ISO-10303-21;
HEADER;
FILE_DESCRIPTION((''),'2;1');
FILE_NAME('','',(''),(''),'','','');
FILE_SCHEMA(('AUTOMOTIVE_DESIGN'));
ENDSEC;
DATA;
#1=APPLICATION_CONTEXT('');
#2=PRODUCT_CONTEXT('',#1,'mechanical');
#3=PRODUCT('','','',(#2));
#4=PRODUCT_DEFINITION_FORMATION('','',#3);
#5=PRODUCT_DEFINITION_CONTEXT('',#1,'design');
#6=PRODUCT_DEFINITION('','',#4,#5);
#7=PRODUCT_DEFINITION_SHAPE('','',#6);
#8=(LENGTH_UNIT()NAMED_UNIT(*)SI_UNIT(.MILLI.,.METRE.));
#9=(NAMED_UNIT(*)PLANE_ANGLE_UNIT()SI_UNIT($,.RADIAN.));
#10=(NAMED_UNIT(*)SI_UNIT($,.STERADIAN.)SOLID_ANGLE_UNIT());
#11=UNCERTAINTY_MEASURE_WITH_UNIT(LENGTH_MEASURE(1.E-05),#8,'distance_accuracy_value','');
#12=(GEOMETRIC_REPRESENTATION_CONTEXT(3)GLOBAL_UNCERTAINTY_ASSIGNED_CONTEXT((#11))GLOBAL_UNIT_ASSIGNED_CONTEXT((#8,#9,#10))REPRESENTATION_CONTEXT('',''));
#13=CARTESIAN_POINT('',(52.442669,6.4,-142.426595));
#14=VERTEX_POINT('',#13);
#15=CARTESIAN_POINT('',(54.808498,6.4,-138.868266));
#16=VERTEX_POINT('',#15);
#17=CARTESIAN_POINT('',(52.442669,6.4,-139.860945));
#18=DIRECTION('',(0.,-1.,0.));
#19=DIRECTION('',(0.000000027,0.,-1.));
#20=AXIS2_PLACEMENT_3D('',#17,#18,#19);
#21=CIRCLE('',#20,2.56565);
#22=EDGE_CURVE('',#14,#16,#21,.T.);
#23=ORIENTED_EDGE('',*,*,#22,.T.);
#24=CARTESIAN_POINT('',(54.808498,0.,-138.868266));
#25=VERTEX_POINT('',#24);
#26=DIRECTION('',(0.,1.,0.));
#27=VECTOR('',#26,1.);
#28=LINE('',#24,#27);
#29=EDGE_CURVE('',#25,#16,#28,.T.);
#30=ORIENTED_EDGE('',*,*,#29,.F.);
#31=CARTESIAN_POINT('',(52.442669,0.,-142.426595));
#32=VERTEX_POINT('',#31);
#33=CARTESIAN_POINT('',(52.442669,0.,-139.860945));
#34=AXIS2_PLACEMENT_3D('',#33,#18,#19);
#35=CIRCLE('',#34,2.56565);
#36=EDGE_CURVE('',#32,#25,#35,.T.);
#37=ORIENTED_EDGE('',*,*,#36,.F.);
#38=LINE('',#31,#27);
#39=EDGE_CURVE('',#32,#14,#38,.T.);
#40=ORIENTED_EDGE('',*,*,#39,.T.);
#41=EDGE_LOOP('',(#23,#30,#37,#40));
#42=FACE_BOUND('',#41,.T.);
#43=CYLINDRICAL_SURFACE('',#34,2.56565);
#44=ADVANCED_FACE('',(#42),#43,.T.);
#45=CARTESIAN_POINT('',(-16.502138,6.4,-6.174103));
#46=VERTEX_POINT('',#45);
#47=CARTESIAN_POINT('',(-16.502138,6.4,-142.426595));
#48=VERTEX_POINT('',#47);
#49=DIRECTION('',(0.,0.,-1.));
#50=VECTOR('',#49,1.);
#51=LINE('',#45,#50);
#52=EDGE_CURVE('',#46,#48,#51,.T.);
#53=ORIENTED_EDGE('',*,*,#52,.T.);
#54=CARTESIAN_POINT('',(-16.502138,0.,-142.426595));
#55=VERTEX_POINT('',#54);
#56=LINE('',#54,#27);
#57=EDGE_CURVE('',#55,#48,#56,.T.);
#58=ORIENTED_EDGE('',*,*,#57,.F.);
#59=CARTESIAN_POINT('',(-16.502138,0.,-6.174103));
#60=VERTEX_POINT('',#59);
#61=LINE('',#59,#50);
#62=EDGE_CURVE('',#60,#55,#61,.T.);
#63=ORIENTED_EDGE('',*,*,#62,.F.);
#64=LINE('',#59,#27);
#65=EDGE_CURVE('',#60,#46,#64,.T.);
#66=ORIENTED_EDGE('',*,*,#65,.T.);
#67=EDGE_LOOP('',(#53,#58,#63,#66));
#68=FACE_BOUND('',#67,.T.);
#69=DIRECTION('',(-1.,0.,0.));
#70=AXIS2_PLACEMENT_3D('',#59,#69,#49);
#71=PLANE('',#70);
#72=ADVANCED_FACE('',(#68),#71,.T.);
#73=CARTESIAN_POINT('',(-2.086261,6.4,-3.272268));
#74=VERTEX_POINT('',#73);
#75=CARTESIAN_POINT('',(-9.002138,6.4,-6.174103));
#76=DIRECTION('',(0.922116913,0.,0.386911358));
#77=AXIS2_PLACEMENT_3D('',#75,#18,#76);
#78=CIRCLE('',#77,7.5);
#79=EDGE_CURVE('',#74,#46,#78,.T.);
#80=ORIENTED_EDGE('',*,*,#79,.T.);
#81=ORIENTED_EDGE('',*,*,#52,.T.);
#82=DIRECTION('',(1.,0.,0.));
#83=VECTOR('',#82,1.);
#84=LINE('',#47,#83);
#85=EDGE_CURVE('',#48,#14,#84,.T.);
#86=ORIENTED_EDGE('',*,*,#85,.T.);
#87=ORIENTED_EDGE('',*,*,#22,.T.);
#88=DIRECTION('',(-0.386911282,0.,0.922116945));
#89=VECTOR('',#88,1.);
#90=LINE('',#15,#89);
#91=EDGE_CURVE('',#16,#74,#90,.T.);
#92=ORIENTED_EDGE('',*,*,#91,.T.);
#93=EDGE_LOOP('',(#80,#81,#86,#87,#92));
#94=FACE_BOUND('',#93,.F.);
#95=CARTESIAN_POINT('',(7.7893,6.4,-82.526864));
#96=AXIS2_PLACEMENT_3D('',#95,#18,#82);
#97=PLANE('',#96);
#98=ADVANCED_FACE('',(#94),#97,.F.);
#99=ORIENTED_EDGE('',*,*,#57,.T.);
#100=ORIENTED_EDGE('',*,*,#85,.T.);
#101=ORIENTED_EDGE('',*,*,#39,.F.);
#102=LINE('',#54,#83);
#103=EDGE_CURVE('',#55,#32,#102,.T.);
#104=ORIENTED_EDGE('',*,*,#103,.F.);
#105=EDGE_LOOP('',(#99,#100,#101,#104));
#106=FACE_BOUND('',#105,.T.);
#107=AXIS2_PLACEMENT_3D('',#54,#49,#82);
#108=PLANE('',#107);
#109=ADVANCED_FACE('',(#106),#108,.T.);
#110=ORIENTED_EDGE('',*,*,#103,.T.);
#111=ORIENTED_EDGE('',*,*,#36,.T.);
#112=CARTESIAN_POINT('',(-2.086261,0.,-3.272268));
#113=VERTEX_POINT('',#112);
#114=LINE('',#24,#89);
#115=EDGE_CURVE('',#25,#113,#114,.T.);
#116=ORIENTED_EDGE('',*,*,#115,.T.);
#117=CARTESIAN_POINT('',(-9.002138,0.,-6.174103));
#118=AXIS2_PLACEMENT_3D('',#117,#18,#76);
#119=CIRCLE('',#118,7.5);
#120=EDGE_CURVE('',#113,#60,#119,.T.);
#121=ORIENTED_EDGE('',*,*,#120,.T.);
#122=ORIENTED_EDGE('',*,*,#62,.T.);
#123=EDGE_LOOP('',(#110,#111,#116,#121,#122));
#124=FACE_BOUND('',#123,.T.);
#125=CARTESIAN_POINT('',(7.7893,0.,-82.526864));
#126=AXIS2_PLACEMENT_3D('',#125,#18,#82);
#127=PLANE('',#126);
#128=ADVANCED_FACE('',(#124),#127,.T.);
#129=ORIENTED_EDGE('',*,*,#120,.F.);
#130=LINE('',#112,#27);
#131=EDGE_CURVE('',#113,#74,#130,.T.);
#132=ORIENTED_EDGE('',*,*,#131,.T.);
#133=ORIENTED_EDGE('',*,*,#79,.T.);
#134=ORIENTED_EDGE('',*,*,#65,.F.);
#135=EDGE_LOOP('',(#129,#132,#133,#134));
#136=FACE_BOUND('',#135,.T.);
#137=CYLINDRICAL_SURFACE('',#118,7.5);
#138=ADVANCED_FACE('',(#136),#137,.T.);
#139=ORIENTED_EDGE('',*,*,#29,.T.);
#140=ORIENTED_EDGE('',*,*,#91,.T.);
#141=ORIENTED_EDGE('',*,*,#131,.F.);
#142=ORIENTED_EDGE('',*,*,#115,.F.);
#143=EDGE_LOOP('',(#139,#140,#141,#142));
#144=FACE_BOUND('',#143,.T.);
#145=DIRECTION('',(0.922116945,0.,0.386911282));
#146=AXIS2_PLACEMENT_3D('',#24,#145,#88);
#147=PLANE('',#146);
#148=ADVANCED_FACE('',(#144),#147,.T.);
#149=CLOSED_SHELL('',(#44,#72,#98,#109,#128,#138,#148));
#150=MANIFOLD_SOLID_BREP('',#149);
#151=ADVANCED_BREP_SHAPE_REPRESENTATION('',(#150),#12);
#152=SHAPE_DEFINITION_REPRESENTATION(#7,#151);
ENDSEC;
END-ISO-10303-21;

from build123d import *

# Parameters (mm, degrees)
F1_DEPTH = 6.4


with BuildPart() as f1:
    # F0 (on Front) → F1 (new body)
    with BuildSketch(Plane.XZ):
        with BuildLine():
            Line((-16.502138, -6.174103), (-16.502138, -142.426595))
            Line((-16.502138, -142.426595), (52.442669, -142.426595))
            ThreePointArc((52.442669, -142.426595), (54.579188, -141.281454), (54.808498, -138.868266))
            Line((54.808498, -138.868266), (-2.086261, -3.272268))
            ThreePointArc((-2.086261, -3.272268), (-10.482159, 1.178416), (-16.502138, -6.174103))
        make_face()
    extrude(amount=-F1_DEPTH)


solid = f1.part
